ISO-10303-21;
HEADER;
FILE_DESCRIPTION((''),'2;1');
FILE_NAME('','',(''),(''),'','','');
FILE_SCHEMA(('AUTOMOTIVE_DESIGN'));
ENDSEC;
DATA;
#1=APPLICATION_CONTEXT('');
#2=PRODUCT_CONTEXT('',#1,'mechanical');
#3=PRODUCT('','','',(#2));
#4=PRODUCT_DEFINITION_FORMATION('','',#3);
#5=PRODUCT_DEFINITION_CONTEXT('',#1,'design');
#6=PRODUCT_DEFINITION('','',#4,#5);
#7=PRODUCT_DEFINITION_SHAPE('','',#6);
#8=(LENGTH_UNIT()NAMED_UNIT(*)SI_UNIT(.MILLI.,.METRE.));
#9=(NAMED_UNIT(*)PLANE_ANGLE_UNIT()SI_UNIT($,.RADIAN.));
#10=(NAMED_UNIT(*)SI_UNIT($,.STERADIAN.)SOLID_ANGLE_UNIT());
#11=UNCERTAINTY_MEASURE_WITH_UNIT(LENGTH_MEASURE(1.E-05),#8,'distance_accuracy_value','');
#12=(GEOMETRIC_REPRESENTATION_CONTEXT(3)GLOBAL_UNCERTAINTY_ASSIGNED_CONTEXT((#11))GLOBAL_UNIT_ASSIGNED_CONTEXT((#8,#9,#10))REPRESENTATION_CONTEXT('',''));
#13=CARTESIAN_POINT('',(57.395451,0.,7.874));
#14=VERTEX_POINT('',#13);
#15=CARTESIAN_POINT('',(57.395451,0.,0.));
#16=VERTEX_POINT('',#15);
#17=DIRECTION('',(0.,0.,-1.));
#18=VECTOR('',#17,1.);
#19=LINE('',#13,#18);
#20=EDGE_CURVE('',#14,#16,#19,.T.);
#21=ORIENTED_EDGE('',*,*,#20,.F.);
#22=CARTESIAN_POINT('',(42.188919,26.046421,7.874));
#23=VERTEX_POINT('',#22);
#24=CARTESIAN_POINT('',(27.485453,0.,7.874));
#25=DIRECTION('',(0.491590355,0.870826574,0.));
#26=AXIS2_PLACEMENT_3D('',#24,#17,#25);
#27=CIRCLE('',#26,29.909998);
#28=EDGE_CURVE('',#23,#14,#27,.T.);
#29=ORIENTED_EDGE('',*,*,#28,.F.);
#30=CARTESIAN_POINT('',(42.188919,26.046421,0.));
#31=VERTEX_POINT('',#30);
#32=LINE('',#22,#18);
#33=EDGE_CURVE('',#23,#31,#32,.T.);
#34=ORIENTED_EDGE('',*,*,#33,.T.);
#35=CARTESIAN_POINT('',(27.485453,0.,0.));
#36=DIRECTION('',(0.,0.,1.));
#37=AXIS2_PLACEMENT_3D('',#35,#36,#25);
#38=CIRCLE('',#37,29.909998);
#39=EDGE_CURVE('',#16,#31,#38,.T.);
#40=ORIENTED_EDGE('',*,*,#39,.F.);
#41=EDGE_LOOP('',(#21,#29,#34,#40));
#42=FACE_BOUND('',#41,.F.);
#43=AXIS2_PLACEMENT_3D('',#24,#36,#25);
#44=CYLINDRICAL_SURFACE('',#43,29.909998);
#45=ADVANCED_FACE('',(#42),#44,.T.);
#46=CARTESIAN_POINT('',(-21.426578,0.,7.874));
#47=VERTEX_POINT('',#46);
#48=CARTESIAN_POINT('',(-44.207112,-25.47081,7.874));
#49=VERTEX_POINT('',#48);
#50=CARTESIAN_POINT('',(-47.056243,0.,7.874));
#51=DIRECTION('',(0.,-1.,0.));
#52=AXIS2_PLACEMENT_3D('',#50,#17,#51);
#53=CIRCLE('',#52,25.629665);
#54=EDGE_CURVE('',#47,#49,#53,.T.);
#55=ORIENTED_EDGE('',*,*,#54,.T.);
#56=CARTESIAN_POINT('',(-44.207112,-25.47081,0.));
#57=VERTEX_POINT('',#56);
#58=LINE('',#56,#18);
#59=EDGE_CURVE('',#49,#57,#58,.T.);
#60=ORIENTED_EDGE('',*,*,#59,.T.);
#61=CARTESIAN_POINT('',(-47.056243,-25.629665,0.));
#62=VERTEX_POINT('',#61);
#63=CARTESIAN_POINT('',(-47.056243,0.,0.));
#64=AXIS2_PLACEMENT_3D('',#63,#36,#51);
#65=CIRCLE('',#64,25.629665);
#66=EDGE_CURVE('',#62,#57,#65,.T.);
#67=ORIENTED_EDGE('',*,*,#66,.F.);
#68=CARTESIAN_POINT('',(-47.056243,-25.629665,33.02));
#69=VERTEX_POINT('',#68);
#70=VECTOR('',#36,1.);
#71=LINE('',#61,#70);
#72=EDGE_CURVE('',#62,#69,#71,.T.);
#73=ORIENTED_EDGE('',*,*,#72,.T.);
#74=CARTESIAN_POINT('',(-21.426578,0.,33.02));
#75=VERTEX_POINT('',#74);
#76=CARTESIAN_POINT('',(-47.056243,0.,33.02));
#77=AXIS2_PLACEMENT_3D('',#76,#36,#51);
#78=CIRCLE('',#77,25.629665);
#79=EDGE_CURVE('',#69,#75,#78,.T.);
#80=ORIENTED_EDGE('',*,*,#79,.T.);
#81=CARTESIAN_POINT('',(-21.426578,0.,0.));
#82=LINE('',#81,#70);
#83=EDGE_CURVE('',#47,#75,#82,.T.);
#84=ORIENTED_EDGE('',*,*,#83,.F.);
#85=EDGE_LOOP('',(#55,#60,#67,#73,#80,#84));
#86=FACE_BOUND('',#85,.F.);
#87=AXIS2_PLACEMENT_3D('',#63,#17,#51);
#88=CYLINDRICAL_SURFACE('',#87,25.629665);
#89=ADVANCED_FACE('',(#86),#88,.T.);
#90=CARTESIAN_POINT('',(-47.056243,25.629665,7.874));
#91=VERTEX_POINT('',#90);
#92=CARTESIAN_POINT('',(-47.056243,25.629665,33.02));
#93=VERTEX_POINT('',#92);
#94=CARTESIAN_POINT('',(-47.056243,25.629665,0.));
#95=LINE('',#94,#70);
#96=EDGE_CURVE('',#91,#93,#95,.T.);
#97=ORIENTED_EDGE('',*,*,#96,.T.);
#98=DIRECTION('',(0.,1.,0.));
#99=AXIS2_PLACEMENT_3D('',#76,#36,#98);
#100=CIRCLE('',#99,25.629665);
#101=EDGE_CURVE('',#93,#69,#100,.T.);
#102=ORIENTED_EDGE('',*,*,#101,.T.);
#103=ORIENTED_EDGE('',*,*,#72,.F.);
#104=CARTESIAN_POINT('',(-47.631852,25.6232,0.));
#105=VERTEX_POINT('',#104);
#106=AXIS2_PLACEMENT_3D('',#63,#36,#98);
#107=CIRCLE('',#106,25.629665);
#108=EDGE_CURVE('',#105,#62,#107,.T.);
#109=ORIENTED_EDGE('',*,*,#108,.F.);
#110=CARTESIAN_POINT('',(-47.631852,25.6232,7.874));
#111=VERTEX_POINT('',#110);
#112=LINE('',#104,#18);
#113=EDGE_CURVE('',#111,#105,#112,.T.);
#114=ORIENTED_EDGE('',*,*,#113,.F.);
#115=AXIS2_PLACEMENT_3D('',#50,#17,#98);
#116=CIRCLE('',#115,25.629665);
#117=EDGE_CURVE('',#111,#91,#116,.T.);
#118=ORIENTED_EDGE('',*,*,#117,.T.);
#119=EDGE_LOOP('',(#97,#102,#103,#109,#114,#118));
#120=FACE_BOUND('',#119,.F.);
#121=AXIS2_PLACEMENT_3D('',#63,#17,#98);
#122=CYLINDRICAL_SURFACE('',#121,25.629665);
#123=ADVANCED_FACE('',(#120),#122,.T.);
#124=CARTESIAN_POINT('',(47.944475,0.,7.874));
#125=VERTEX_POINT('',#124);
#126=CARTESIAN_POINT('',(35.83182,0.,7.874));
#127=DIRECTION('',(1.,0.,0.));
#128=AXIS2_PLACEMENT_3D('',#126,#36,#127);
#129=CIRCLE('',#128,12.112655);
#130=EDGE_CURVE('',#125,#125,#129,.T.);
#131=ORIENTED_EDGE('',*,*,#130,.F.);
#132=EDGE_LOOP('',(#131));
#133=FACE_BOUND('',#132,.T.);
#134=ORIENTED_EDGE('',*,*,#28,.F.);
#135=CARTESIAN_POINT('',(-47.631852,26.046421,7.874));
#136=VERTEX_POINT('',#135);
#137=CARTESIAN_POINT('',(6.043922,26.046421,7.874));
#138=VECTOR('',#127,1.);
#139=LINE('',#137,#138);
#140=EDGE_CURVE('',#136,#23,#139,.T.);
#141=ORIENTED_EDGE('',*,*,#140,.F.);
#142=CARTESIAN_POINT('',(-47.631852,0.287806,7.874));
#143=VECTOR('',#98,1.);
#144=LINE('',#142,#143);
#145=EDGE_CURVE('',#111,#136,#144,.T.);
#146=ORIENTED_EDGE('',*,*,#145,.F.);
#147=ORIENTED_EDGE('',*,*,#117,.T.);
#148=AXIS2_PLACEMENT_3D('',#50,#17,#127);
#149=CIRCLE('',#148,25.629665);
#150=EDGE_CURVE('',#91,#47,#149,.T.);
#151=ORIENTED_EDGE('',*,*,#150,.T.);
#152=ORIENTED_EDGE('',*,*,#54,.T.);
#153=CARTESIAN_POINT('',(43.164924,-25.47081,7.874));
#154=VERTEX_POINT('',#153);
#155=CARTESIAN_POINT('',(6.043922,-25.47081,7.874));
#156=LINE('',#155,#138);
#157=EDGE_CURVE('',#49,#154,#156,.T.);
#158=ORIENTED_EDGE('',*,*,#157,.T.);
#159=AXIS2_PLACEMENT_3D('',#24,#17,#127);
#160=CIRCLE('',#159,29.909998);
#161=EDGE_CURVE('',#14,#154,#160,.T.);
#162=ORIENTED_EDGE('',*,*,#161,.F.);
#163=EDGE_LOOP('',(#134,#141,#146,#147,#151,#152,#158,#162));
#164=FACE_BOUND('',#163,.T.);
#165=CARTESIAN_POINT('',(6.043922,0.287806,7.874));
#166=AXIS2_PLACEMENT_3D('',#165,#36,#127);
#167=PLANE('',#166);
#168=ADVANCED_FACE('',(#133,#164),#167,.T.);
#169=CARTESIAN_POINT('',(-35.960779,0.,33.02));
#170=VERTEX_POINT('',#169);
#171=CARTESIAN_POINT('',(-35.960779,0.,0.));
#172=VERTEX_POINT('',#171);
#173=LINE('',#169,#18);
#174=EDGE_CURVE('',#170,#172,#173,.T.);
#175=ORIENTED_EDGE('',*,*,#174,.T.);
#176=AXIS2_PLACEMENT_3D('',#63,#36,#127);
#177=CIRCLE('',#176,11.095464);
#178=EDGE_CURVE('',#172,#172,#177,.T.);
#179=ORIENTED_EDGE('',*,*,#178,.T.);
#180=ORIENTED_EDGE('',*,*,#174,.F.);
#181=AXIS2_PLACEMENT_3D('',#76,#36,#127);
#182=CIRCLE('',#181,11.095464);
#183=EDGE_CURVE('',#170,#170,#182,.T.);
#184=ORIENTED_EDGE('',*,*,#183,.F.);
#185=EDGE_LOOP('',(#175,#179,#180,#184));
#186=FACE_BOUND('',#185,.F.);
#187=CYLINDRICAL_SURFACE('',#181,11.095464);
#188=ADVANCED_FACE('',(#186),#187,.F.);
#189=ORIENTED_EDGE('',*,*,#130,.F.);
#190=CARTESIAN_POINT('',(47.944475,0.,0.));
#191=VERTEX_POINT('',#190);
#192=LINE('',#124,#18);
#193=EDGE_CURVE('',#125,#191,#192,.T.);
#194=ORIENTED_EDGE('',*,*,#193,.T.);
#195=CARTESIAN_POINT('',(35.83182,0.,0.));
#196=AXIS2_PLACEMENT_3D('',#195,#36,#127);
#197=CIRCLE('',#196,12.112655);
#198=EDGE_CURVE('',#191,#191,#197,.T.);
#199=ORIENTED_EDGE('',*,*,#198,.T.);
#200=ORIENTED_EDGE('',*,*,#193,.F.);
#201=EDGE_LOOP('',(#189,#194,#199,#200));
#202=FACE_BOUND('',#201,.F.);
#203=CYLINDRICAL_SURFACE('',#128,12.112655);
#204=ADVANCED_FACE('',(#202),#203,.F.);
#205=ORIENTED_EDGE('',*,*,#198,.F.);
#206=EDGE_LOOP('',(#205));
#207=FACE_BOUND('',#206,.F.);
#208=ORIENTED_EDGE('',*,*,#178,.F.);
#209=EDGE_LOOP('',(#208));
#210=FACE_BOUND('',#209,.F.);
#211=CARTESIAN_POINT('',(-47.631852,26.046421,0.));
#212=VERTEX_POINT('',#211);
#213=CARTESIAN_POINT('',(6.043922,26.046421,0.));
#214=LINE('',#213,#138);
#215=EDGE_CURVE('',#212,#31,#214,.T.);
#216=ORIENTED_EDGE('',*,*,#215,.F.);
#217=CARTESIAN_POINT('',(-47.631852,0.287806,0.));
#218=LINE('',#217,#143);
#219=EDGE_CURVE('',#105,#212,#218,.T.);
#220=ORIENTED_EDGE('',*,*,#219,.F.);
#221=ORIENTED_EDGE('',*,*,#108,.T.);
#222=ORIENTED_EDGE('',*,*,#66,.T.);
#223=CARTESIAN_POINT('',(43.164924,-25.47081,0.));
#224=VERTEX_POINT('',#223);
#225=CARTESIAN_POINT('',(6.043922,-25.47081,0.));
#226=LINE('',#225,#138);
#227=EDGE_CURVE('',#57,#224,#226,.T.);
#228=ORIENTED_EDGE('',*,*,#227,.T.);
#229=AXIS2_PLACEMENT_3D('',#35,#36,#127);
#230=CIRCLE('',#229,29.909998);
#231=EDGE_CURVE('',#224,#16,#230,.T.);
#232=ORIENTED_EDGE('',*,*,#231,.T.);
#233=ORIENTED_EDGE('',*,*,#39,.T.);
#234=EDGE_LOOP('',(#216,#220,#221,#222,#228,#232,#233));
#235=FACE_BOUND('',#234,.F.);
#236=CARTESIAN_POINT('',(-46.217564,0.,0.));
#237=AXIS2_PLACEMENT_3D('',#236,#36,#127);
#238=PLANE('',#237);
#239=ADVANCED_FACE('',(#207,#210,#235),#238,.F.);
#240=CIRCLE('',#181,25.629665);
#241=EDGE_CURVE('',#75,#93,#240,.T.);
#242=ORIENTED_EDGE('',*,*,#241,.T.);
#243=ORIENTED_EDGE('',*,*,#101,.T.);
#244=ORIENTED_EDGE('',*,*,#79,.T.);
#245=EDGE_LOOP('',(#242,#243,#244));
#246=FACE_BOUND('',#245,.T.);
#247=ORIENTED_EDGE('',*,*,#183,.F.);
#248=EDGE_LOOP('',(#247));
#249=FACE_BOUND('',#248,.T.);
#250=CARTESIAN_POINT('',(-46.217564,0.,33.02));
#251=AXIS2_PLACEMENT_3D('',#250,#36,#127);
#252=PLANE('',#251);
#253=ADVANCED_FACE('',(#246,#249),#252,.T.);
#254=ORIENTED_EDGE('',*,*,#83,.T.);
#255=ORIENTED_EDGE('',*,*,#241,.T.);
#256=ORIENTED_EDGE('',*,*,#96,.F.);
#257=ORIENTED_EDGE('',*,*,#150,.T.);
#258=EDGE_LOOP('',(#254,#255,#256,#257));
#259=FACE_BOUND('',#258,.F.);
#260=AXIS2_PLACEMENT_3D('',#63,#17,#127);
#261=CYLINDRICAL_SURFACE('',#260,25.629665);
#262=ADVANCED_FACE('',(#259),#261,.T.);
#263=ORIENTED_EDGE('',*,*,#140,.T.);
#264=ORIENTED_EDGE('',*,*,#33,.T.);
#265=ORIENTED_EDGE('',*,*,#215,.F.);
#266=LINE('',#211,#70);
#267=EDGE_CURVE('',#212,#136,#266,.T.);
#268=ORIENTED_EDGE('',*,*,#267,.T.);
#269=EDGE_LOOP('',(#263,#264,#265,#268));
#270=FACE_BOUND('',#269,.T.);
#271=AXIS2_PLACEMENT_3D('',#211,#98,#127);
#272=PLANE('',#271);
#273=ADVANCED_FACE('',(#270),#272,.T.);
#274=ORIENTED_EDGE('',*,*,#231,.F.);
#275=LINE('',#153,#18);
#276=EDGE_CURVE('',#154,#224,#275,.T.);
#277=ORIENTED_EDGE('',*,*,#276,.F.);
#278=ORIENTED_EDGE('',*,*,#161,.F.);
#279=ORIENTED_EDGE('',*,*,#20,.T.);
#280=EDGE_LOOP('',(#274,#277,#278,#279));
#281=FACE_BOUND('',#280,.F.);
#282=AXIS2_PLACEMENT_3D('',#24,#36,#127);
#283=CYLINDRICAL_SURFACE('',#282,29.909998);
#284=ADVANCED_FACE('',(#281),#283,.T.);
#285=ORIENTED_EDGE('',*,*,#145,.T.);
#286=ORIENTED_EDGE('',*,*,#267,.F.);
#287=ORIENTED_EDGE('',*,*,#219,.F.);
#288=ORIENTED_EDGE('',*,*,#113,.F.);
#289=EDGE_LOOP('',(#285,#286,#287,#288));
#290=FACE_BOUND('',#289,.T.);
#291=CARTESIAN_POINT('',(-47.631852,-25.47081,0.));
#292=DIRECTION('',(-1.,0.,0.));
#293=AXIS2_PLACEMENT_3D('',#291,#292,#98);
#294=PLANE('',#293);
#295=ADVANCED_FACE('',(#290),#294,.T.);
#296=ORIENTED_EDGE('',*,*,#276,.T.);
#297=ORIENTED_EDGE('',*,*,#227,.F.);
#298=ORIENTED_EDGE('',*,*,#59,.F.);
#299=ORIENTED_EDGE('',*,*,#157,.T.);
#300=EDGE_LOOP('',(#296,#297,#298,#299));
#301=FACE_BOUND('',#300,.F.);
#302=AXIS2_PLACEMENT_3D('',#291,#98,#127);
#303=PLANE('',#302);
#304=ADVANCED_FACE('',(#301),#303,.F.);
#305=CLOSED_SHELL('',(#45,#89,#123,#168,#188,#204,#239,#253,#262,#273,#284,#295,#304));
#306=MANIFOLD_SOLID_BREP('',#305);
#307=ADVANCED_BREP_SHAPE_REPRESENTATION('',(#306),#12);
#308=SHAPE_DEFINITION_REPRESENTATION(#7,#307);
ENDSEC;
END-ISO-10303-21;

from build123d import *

# Parameters (mm, degrees)
F1_DEPTH = 33.02
F2_W     = 107.3515489697
F2_H     = 51.5172313899
F3_DEPTH = 7.874
F5_R     = 11.0954635734
F4_R     = 12.1126546704
F6_DEPTH = 81.534
F8_DEPTH = 25.4


with BuildPart() as f1:
    # F0 (on Top) → F1 (new body)
    with BuildSketch(Plane.XY):
        with BuildLine():
            ThreePointArc((-47.0562428236, -25.6296646715), (-28.9333331349, -18.1229096887), (-21.4265781521, 0))
            ThreePointArc((-21.4265781521, 0), (-28.9333331349, 18.1229096887), (-47.0562428236, 25.6296646715))
            ThreePointArc((-47.0562428236, 25.6296646715), (-72.6859074951, 0), (-47.0562428236, -25.6296646715))
        make_face()
    extrude(amount=F1_DEPTH)

    # F2 (on Top) → F3 (join)
    with BuildSketch(Plane.XY):
        with Locations((6.0439221561, 0.2878056839)):
            Rectangle(F2_W, F2_H)
    extrude(amount=F3_DEPTH)

    # F5 (on face) + F4 (on face) → F6 (cut)
    with BuildSketch(Plane.XY.offset(33.02)):
        with Locations((-47.0562428236, 0)):
            Circle(F5_R)
    with BuildSketch(Plane.XY.offset(7.874)):
        with Locations((35.8318202198, 0)):
            Circle(F4_R)
    extrude(amount=-F6_DEPTH, mode=Mode.SUBTRACT)

    # F7 (on face) → F8 (cut)
    with BuildSketch(Plane.XY.offset(7.874)):
        with BuildLine():
            ThreePointArc((42.1889192994, 26.0464213789), (53.3155577455, 15.0802409672), (57.3954509182, 0))
            ThreePointArc((57.3954509182, 0), (53.5965706877, -14.5882662321), (43.164924434, -25.470810011))
            Line((43.164924434, -25.470810011), (59.719696641, -25.470810011))
            Line((59.719696641, -25.470810011), (59.719696641, 26.0464213789))
            Line((59.719696641, 26.0464213789), (42.1889192994, 26.0464213789))
        make_face()
    extrude(amount=-F8_DEPTH, mode=Mode.SUBTRACT)


solid = f1.part
